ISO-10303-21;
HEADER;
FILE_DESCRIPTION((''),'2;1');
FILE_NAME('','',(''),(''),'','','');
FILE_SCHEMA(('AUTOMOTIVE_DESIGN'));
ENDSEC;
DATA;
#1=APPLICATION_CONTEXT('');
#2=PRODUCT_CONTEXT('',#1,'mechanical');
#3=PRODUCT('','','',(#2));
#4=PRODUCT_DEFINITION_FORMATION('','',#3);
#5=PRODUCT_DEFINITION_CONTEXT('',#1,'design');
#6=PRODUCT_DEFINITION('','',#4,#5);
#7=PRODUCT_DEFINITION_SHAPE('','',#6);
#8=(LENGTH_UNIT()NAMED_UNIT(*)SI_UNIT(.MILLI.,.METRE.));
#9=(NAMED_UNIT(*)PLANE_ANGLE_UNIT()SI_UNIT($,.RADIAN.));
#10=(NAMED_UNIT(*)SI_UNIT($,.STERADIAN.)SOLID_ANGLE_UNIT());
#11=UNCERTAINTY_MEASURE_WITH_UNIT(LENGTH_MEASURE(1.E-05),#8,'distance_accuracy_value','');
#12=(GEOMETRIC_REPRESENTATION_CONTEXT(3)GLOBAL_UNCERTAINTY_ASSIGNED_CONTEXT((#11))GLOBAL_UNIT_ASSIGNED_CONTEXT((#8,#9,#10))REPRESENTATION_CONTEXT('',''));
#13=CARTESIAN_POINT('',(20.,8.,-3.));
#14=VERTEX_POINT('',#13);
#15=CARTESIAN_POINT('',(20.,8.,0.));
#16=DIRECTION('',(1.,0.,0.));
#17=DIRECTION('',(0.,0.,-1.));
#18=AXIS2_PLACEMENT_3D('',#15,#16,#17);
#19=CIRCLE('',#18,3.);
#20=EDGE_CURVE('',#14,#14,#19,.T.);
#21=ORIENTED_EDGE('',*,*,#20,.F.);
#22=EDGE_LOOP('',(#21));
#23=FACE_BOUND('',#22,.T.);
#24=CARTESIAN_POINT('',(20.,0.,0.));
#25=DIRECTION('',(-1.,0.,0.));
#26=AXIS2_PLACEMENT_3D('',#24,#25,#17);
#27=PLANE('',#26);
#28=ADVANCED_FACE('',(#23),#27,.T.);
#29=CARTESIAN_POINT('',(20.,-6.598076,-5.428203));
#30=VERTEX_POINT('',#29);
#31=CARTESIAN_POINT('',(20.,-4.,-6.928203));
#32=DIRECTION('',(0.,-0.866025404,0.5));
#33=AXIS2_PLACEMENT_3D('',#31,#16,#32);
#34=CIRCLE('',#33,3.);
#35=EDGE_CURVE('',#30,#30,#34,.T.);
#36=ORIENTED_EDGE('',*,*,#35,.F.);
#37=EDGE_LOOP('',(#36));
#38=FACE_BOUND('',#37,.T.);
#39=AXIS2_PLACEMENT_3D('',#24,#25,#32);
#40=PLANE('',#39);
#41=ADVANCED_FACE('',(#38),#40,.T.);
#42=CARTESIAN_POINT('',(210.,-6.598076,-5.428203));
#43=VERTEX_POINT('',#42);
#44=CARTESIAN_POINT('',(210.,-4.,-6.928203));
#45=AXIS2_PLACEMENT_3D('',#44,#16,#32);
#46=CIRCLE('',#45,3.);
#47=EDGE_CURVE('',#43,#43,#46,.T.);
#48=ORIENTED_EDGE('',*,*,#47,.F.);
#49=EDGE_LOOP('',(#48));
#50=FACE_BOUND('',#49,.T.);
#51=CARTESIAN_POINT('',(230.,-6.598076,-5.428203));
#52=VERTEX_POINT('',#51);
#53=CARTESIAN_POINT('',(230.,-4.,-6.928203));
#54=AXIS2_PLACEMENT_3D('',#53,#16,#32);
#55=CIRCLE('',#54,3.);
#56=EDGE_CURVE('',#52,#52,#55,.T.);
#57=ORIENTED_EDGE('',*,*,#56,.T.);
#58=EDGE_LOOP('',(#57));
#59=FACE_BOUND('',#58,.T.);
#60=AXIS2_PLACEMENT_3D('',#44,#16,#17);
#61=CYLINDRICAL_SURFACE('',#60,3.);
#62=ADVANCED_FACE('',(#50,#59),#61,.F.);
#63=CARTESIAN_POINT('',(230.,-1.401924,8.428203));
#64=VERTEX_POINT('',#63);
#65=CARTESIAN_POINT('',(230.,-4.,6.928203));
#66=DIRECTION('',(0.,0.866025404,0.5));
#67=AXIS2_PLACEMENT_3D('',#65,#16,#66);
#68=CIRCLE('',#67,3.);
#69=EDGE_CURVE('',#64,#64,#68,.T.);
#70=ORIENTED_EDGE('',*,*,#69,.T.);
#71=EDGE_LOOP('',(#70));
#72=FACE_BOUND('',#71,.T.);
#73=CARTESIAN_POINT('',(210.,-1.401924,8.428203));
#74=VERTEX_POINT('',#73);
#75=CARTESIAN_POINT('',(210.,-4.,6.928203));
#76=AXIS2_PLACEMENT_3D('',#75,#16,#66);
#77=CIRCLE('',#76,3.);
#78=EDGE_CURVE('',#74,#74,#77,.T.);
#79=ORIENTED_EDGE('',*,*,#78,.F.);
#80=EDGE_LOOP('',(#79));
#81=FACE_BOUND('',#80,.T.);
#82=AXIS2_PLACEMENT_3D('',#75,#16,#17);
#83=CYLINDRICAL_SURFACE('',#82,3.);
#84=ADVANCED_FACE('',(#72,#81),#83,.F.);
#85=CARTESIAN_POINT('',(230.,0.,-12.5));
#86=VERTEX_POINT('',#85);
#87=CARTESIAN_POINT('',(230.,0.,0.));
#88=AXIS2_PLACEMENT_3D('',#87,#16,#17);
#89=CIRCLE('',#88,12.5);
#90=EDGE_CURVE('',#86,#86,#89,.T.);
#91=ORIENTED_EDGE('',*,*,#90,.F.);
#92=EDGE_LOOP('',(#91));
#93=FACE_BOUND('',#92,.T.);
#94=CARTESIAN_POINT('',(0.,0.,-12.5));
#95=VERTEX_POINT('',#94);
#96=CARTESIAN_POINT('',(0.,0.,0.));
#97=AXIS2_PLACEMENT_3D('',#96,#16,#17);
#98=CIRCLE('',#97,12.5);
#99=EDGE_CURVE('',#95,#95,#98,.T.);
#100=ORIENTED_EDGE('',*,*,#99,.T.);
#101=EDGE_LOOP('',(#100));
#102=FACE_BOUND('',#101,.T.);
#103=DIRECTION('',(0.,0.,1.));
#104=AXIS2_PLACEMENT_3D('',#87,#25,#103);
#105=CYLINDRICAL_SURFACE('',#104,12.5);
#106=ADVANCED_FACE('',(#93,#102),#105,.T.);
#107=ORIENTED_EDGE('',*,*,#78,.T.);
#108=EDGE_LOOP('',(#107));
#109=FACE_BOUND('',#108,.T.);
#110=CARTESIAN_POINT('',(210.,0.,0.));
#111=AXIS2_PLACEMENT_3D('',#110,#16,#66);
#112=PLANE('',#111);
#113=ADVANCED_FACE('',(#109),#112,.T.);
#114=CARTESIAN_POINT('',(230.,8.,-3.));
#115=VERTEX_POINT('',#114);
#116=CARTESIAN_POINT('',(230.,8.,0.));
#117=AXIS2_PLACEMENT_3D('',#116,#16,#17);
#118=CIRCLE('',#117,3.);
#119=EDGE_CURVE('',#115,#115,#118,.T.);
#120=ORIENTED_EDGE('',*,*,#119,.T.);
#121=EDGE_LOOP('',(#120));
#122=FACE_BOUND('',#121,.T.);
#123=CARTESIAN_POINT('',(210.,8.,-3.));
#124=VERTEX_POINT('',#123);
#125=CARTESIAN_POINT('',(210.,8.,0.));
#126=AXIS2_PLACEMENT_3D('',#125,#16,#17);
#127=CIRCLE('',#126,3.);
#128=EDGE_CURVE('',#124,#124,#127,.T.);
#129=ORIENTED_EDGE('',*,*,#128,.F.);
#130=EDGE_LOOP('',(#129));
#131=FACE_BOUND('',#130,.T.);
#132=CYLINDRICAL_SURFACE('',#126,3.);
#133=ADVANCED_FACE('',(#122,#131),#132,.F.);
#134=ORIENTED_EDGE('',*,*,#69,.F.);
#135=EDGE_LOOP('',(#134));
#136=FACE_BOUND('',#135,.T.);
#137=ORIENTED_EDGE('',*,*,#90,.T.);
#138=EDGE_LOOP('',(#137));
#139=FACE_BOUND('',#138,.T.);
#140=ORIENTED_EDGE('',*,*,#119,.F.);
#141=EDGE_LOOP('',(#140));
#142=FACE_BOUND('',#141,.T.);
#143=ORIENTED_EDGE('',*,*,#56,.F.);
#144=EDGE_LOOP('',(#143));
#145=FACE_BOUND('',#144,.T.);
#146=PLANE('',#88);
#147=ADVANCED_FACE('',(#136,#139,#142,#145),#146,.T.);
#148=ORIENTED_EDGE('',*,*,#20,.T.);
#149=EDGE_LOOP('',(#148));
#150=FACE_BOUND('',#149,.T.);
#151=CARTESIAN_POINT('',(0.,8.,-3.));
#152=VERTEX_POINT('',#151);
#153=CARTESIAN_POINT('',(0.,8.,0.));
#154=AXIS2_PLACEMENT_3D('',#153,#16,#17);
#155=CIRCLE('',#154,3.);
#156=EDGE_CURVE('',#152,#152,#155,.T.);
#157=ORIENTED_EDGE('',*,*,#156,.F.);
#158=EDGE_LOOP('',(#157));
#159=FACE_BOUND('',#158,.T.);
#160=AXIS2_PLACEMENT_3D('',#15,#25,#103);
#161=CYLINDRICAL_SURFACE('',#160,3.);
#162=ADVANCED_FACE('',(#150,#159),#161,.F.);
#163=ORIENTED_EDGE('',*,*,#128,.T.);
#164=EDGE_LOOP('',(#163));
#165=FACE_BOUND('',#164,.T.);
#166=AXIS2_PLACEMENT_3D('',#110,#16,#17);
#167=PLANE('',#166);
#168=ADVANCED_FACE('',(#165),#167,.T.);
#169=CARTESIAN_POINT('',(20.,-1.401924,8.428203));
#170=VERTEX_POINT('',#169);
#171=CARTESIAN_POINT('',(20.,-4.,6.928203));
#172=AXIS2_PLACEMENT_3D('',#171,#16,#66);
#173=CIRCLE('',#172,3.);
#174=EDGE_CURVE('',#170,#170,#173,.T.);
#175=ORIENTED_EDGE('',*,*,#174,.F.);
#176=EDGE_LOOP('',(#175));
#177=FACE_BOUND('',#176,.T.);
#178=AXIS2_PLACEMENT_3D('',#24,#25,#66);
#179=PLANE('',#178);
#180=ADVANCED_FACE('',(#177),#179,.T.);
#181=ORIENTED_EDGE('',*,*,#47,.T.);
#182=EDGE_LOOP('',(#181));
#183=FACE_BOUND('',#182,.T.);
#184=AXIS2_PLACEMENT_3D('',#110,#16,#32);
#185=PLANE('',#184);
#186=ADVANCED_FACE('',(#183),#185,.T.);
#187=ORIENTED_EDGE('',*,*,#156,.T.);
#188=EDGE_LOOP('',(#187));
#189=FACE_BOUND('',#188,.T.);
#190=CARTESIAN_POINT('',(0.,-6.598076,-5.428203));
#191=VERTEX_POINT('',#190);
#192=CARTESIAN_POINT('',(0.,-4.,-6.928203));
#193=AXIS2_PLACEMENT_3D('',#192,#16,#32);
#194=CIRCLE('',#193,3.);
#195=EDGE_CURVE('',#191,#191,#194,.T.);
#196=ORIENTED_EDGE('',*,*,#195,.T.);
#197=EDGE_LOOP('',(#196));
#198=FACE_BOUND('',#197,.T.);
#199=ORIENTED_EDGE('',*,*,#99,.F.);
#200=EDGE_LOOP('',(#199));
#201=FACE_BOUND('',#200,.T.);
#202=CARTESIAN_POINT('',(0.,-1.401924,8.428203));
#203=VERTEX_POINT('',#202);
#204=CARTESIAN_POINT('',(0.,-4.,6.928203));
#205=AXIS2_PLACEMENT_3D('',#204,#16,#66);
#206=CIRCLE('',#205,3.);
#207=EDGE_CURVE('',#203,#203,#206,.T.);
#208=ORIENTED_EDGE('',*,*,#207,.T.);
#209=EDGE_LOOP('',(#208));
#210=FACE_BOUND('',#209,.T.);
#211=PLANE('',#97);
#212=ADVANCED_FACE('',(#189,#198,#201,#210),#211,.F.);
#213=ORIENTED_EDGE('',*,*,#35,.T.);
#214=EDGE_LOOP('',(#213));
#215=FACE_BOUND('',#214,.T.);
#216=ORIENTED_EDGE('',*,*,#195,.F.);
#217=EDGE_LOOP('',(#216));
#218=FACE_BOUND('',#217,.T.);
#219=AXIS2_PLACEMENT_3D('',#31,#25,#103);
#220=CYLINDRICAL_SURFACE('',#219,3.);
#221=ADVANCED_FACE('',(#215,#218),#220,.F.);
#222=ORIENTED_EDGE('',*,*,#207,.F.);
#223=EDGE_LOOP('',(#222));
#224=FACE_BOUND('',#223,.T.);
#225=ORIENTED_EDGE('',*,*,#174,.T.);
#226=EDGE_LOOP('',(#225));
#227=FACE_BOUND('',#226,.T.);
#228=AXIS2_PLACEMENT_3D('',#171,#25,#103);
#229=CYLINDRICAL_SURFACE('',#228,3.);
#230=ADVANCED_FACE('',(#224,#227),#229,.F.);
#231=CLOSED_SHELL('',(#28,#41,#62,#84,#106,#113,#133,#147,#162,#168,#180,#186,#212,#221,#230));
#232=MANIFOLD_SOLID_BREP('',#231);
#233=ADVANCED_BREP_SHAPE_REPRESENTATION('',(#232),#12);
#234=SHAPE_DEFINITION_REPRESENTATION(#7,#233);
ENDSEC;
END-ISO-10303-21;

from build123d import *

# Parameters (mm, degrees)
SKETCH_1_R               = 12.5
EXTRUDE_1_DEPTH          = 230
SKETCH_2_R               = 3
CUT_EXTRUDE_1_DEPTH      = 20
PATTERN_CIRCULAR_1_COUNT = 3
MIRROR_1_COPY_1_SKETCH_R = 3
MIRROR_1_COPY_1_DEPTH    = 20
MIRROR_1_COPY_2_SKETCH_R = 3
MIRROR_1_COPY_2_DEPTH    = 20


with BuildPart() as part:
    # 草图1 → 凸台-拉伸1 (new body)
    with BuildSketch(Plane(origin=(0, 0, 0), x_dir=(0, 0, -1), z_dir=(1, 0, 0))):
        Circle(SKETCH_1_R)
    extrude(amount=EXTRUDE_1_DEPTH)

    # 草图2 → 切除-拉伸1 (cut)
    with BuildSketch(Plane(origin=(230, 0, 0), x_dir=(0, 0, -1), z_dir=(1, 0, 0))):
        with Locations((0, 8)):
            Circle(SKETCH_2_R)
    cut_extrude_1 = extrude(amount=-CUT_EXTRUDE_1_DEPTH, mode=Mode.SUBTRACT)

    # 阵列(圆周)1: 切除-拉伸1 ×3 about axis
    pattern_circular_1_axis = Axis((0, 0, 0), (1, 0, 0))
    for i in range(1, PATTERN_CIRCULAR_1_COUNT):
        add(cut_extrude_1.rotate(pattern_circular_1_axis, i * 360 / PATTERN_CIRCULAR_1_COUNT), mode=Mode.SUBTRACT)

    # 镜向1: 切除-拉伸1 across plane
    add(cut_extrude_1.mirror(Plane(origin=(115, 0, 0), x_dir=(0, 0, 1), z_dir=(1, 0, 0))), mode=Mode.SUBTRACT)

    # 镜向1 copy 1 sketch → 镜向1 copy 1 (cut)
    with BuildSketch(Plane(origin=(0, 0, 0), x_dir=(0, 0.8660254037844387, 0.4999999999999998), z_dir=(-1, 0, 0))):
        with Locations((0, -8)):
            Circle(MIRROR_1_COPY_1_SKETCH_R)
    extrude(amount=-MIRROR_1_COPY_1_DEPTH, mode=Mode.SUBTRACT)

    # 镜向1 copy 2 sketch → 镜向1 copy 2 (cut)
    with BuildSketch(Plane(origin=(0, 0, 0), x_dir=(0, -0.8660254037844384, 0.5000000000000004), z_dir=(-1, 0, 0))):
        with Locations((0, -8)):
            Circle(MIRROR_1_COPY_2_SKETCH_R)
    extrude(amount=-MIRROR_1_COPY_2_DEPTH, mode=Mode.SUBTRACT)


solid = part.part
